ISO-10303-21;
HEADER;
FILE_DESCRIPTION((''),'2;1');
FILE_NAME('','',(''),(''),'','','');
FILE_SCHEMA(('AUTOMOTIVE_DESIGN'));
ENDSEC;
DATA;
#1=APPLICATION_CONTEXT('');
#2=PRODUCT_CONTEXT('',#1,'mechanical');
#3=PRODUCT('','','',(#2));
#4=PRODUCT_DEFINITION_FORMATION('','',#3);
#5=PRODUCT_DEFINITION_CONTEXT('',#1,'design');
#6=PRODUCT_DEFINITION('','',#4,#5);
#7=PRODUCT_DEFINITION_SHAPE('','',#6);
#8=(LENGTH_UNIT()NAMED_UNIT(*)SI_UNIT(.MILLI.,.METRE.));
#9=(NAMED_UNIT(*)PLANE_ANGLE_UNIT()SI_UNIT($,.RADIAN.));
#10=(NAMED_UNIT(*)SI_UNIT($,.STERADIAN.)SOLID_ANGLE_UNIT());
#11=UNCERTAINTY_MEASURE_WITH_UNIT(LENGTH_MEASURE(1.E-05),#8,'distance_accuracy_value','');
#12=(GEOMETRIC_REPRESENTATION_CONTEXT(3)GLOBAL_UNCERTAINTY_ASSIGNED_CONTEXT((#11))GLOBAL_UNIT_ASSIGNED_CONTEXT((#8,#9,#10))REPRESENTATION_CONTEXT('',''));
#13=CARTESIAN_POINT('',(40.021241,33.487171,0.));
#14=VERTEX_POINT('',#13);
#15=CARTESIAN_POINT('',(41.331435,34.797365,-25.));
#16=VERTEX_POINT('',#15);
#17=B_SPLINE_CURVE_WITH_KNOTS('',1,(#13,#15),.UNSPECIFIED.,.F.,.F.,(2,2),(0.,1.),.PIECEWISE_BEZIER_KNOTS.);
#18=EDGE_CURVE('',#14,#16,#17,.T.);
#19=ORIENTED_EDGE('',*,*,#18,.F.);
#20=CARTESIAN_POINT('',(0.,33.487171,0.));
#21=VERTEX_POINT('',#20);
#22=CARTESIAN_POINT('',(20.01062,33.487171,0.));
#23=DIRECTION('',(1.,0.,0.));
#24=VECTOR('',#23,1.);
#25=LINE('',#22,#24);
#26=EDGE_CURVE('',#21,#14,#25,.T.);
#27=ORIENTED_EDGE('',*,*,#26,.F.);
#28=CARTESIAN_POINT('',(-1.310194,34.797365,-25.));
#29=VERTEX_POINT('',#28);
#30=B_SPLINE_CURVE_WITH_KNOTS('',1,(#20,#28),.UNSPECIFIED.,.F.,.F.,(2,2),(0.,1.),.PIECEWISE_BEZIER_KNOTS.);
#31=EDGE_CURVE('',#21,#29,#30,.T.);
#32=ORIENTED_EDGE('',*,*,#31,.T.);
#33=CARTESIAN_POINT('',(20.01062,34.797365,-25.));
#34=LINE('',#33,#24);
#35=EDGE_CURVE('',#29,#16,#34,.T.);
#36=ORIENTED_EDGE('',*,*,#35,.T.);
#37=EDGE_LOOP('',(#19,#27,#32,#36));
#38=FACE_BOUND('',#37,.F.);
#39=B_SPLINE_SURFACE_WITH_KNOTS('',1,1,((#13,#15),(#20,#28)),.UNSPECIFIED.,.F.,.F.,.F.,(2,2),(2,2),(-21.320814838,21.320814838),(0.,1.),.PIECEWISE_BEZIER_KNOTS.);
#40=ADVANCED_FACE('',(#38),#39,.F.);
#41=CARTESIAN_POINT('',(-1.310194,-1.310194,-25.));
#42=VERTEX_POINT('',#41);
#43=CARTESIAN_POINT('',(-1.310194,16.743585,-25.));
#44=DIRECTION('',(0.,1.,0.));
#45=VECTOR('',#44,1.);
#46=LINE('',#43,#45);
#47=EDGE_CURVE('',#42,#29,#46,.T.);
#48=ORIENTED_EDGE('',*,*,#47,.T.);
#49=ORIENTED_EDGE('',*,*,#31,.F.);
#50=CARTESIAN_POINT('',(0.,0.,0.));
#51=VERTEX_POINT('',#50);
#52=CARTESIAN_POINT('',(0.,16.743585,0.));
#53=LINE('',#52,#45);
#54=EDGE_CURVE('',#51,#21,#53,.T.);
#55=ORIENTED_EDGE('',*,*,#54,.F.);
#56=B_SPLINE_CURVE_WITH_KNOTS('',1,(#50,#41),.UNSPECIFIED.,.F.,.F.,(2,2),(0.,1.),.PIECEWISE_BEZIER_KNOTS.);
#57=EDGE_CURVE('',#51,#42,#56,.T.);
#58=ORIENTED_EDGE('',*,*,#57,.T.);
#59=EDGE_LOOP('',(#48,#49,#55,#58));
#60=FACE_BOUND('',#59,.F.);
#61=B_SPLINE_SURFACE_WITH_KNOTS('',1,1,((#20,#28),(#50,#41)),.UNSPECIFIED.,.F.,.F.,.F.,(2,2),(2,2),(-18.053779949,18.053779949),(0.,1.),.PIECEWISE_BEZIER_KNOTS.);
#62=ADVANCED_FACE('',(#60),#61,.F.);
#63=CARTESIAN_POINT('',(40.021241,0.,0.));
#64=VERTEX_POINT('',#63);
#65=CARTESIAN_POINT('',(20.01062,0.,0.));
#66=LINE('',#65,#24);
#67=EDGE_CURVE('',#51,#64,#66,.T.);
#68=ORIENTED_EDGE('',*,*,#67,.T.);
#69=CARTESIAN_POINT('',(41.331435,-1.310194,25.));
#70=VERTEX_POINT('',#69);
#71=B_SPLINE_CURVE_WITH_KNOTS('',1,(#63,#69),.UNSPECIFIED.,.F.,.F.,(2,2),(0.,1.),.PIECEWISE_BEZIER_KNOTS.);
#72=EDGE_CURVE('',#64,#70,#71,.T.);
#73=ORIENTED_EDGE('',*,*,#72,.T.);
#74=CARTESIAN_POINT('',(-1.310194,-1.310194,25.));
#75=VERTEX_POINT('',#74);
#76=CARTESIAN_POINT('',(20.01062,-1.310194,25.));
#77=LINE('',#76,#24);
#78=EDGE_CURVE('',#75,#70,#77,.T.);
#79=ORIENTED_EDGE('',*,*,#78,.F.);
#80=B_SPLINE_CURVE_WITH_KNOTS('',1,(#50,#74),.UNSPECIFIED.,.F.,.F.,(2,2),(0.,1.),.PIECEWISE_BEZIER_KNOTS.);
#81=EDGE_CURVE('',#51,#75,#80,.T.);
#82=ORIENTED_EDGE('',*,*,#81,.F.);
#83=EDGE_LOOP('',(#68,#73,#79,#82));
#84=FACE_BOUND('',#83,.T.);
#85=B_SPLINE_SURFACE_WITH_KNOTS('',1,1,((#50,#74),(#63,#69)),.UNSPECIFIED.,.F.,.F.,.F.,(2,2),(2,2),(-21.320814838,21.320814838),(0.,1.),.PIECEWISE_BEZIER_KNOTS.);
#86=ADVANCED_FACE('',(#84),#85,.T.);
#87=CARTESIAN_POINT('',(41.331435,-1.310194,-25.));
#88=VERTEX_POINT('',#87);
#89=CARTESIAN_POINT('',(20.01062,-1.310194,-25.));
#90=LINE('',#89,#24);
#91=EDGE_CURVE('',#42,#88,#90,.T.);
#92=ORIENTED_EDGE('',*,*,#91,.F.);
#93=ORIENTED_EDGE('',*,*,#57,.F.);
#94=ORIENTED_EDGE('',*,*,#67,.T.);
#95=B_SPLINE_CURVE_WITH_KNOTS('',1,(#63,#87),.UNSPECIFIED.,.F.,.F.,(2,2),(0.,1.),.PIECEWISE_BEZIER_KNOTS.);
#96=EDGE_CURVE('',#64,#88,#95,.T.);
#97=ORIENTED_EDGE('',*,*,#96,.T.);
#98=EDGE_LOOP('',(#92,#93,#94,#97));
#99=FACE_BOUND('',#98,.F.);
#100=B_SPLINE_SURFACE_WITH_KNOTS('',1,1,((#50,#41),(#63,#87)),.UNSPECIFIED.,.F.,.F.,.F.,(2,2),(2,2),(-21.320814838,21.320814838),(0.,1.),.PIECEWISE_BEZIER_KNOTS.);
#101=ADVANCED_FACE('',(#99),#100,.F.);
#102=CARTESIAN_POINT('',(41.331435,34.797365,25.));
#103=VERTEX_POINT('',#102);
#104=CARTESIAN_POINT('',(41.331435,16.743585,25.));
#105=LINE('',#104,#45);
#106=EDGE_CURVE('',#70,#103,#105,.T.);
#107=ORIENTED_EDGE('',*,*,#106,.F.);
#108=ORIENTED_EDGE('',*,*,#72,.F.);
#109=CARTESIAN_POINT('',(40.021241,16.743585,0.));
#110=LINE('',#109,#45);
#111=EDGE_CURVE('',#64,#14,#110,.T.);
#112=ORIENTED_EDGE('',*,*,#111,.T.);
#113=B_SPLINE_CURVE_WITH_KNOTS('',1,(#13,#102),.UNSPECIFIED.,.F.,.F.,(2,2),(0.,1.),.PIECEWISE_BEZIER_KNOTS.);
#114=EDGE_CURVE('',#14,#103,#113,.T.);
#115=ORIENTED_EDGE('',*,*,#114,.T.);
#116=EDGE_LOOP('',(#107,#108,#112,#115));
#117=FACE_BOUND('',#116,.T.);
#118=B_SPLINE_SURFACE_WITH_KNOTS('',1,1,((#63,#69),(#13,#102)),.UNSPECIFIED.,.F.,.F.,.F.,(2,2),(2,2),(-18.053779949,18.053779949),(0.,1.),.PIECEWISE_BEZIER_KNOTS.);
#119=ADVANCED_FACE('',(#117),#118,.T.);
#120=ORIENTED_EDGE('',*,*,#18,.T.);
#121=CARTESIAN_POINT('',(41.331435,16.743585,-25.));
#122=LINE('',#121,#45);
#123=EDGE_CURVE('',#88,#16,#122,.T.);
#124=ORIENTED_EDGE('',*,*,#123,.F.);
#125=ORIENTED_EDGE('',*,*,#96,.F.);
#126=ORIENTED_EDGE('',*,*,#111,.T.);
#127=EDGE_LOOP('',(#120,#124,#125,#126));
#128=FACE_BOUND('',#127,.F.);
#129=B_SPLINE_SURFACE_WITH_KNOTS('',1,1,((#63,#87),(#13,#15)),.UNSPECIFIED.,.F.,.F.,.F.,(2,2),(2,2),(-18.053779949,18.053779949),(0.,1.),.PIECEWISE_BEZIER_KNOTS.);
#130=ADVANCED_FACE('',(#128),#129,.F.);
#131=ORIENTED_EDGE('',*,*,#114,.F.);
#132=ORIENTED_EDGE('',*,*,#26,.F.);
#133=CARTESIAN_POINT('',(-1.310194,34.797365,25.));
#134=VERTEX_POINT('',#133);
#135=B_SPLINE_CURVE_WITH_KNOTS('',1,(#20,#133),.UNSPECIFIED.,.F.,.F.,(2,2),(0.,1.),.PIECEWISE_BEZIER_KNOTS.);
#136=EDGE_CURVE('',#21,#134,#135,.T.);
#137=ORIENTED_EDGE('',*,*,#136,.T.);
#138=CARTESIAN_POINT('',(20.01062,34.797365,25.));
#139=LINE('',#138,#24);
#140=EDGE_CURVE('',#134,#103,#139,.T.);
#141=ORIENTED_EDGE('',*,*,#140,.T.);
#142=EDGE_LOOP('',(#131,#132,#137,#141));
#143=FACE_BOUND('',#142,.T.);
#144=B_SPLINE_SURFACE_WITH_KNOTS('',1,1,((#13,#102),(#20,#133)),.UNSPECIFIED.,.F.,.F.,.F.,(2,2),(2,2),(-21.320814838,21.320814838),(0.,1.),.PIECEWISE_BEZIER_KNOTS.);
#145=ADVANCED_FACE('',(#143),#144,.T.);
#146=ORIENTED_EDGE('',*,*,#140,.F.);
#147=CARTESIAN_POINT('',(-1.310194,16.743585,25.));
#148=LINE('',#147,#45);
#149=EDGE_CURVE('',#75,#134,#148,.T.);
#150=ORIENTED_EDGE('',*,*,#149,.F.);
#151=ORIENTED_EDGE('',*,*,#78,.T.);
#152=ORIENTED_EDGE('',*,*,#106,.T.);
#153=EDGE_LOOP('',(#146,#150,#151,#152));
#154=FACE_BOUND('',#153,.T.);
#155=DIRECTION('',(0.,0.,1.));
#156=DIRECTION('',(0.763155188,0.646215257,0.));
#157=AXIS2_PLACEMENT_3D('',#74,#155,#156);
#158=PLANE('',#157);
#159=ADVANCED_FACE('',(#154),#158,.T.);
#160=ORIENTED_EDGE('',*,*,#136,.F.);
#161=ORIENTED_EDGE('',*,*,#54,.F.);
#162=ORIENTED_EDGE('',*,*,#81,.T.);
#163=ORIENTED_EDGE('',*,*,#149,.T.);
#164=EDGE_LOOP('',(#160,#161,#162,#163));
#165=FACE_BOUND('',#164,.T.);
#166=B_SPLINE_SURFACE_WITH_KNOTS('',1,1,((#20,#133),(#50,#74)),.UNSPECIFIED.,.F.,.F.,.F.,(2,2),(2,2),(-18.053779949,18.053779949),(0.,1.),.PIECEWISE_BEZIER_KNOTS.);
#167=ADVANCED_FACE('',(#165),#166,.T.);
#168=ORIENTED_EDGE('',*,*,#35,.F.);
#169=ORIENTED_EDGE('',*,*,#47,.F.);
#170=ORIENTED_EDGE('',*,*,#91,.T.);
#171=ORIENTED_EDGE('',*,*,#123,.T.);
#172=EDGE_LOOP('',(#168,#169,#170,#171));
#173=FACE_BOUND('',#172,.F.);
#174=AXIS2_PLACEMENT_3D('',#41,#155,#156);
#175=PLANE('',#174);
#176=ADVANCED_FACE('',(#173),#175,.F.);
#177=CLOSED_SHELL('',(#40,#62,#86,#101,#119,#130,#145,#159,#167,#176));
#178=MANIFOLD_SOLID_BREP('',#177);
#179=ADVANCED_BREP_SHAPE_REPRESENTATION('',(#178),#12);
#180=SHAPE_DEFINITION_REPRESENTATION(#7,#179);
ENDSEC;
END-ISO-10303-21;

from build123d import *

# Parameters (mm, degrees)
F0_W     = 40.0212407112
F0_H     = 33.4871709347
F1_DEPTH = 25
F1_TAPER = -3


with BuildPart() as f1:
    # F0 (on Top) → F1 (new body, symmetric)
    with BuildSketch(Plane.XY):
        with Locations((20.0106203556, 16.7435854673)):
            Rectangle(F0_W, F0_H)
    extrude(amount=F1_DEPTH, both=True, taper=F1_TAPER)


solid = f1.part
